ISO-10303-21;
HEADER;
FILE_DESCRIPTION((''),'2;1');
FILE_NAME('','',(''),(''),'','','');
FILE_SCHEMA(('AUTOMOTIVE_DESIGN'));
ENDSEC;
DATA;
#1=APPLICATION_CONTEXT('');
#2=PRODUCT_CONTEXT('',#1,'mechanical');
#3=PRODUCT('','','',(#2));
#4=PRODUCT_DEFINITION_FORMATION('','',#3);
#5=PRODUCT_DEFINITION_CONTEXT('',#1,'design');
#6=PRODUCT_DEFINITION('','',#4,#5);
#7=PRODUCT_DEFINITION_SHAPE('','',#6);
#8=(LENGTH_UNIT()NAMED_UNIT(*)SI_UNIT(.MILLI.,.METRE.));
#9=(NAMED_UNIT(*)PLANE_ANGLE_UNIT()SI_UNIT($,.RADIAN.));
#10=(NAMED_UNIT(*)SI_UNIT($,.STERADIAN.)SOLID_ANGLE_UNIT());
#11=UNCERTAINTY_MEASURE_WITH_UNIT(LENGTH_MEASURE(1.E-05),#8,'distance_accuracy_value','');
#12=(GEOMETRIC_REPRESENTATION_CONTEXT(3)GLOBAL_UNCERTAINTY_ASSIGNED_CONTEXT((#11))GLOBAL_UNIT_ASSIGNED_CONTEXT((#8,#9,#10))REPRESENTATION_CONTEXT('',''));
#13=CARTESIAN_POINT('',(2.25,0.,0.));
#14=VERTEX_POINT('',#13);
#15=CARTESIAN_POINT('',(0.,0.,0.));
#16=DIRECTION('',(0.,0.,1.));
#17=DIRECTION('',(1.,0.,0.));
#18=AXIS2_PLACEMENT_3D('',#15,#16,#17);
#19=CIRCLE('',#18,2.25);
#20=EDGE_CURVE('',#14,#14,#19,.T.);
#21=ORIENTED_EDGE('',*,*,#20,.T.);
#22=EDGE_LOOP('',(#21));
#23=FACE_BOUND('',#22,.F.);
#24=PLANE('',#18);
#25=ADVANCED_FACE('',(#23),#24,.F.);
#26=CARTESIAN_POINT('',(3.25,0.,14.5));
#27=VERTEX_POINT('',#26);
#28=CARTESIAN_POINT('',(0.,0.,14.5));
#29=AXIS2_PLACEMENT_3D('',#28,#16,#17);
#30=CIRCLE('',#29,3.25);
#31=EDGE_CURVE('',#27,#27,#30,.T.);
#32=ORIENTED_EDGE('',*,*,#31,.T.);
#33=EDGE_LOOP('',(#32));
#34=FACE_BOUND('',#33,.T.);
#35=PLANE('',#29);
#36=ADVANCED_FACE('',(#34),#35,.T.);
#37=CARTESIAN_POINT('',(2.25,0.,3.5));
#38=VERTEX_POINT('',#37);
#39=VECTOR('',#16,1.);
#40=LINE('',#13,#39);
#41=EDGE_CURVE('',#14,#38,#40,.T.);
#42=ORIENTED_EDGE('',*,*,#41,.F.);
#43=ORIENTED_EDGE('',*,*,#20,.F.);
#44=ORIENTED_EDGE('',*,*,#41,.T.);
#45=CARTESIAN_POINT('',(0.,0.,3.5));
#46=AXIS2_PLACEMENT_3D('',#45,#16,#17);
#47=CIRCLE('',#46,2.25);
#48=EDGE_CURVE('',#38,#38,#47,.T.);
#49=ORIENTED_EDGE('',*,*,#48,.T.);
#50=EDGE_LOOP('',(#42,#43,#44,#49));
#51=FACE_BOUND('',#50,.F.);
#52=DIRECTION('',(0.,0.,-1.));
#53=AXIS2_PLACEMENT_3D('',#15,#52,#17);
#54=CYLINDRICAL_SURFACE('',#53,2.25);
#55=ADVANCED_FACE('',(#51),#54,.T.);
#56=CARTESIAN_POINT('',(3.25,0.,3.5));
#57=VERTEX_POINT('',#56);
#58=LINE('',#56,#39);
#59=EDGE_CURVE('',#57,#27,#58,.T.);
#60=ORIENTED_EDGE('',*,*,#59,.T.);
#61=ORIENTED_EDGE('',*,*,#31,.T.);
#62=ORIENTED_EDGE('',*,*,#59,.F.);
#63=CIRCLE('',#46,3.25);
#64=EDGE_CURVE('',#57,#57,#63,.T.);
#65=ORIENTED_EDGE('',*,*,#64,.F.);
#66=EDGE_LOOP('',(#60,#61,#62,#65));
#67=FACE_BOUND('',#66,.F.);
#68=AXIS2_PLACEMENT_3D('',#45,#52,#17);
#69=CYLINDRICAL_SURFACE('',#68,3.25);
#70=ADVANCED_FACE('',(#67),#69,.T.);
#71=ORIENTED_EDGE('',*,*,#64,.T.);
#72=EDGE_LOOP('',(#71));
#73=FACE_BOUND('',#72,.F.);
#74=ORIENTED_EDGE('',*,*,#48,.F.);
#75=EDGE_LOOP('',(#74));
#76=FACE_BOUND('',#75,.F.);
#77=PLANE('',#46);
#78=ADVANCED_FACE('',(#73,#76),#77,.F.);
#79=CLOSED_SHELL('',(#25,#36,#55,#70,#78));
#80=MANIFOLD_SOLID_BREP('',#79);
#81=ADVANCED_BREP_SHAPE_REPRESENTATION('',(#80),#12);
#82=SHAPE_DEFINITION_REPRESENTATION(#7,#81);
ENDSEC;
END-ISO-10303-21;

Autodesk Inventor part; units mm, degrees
ref_plane "YZ Plane" through (0, 0, 0) normal (1, 0, 0) x (0, 1, 0)
ref_plane "XZ Plane" through (0, 0, 0) normal (0, 1, 0) x (-1, 0, 0)
ref_plane "XY Plane" through (0, 0, 0) normal (0, 0, 1) x (1, 0, 0)
sketch "草图1" plane through (0, 0, 0) normal (0, 0, 1) x (1, 0, 0)
  circle A0 centre (0, 0) radius 2.25
  dimension "d0" = 4.5
extrude "拉伸1" add sketch "草图1" along normal blind 3.5
sketch "草图2" plane through (0, 0, 3.5) normal (0, 0, 1) x (1, 0, 0)
  circle A0 centre (0, 0) radius 3.25
  dimension "d3" = 6.5
extrude "拉伸2" add sketch "草图2" along normal blind 11
properties part number "TES_Controller_V1_Case_Button"
